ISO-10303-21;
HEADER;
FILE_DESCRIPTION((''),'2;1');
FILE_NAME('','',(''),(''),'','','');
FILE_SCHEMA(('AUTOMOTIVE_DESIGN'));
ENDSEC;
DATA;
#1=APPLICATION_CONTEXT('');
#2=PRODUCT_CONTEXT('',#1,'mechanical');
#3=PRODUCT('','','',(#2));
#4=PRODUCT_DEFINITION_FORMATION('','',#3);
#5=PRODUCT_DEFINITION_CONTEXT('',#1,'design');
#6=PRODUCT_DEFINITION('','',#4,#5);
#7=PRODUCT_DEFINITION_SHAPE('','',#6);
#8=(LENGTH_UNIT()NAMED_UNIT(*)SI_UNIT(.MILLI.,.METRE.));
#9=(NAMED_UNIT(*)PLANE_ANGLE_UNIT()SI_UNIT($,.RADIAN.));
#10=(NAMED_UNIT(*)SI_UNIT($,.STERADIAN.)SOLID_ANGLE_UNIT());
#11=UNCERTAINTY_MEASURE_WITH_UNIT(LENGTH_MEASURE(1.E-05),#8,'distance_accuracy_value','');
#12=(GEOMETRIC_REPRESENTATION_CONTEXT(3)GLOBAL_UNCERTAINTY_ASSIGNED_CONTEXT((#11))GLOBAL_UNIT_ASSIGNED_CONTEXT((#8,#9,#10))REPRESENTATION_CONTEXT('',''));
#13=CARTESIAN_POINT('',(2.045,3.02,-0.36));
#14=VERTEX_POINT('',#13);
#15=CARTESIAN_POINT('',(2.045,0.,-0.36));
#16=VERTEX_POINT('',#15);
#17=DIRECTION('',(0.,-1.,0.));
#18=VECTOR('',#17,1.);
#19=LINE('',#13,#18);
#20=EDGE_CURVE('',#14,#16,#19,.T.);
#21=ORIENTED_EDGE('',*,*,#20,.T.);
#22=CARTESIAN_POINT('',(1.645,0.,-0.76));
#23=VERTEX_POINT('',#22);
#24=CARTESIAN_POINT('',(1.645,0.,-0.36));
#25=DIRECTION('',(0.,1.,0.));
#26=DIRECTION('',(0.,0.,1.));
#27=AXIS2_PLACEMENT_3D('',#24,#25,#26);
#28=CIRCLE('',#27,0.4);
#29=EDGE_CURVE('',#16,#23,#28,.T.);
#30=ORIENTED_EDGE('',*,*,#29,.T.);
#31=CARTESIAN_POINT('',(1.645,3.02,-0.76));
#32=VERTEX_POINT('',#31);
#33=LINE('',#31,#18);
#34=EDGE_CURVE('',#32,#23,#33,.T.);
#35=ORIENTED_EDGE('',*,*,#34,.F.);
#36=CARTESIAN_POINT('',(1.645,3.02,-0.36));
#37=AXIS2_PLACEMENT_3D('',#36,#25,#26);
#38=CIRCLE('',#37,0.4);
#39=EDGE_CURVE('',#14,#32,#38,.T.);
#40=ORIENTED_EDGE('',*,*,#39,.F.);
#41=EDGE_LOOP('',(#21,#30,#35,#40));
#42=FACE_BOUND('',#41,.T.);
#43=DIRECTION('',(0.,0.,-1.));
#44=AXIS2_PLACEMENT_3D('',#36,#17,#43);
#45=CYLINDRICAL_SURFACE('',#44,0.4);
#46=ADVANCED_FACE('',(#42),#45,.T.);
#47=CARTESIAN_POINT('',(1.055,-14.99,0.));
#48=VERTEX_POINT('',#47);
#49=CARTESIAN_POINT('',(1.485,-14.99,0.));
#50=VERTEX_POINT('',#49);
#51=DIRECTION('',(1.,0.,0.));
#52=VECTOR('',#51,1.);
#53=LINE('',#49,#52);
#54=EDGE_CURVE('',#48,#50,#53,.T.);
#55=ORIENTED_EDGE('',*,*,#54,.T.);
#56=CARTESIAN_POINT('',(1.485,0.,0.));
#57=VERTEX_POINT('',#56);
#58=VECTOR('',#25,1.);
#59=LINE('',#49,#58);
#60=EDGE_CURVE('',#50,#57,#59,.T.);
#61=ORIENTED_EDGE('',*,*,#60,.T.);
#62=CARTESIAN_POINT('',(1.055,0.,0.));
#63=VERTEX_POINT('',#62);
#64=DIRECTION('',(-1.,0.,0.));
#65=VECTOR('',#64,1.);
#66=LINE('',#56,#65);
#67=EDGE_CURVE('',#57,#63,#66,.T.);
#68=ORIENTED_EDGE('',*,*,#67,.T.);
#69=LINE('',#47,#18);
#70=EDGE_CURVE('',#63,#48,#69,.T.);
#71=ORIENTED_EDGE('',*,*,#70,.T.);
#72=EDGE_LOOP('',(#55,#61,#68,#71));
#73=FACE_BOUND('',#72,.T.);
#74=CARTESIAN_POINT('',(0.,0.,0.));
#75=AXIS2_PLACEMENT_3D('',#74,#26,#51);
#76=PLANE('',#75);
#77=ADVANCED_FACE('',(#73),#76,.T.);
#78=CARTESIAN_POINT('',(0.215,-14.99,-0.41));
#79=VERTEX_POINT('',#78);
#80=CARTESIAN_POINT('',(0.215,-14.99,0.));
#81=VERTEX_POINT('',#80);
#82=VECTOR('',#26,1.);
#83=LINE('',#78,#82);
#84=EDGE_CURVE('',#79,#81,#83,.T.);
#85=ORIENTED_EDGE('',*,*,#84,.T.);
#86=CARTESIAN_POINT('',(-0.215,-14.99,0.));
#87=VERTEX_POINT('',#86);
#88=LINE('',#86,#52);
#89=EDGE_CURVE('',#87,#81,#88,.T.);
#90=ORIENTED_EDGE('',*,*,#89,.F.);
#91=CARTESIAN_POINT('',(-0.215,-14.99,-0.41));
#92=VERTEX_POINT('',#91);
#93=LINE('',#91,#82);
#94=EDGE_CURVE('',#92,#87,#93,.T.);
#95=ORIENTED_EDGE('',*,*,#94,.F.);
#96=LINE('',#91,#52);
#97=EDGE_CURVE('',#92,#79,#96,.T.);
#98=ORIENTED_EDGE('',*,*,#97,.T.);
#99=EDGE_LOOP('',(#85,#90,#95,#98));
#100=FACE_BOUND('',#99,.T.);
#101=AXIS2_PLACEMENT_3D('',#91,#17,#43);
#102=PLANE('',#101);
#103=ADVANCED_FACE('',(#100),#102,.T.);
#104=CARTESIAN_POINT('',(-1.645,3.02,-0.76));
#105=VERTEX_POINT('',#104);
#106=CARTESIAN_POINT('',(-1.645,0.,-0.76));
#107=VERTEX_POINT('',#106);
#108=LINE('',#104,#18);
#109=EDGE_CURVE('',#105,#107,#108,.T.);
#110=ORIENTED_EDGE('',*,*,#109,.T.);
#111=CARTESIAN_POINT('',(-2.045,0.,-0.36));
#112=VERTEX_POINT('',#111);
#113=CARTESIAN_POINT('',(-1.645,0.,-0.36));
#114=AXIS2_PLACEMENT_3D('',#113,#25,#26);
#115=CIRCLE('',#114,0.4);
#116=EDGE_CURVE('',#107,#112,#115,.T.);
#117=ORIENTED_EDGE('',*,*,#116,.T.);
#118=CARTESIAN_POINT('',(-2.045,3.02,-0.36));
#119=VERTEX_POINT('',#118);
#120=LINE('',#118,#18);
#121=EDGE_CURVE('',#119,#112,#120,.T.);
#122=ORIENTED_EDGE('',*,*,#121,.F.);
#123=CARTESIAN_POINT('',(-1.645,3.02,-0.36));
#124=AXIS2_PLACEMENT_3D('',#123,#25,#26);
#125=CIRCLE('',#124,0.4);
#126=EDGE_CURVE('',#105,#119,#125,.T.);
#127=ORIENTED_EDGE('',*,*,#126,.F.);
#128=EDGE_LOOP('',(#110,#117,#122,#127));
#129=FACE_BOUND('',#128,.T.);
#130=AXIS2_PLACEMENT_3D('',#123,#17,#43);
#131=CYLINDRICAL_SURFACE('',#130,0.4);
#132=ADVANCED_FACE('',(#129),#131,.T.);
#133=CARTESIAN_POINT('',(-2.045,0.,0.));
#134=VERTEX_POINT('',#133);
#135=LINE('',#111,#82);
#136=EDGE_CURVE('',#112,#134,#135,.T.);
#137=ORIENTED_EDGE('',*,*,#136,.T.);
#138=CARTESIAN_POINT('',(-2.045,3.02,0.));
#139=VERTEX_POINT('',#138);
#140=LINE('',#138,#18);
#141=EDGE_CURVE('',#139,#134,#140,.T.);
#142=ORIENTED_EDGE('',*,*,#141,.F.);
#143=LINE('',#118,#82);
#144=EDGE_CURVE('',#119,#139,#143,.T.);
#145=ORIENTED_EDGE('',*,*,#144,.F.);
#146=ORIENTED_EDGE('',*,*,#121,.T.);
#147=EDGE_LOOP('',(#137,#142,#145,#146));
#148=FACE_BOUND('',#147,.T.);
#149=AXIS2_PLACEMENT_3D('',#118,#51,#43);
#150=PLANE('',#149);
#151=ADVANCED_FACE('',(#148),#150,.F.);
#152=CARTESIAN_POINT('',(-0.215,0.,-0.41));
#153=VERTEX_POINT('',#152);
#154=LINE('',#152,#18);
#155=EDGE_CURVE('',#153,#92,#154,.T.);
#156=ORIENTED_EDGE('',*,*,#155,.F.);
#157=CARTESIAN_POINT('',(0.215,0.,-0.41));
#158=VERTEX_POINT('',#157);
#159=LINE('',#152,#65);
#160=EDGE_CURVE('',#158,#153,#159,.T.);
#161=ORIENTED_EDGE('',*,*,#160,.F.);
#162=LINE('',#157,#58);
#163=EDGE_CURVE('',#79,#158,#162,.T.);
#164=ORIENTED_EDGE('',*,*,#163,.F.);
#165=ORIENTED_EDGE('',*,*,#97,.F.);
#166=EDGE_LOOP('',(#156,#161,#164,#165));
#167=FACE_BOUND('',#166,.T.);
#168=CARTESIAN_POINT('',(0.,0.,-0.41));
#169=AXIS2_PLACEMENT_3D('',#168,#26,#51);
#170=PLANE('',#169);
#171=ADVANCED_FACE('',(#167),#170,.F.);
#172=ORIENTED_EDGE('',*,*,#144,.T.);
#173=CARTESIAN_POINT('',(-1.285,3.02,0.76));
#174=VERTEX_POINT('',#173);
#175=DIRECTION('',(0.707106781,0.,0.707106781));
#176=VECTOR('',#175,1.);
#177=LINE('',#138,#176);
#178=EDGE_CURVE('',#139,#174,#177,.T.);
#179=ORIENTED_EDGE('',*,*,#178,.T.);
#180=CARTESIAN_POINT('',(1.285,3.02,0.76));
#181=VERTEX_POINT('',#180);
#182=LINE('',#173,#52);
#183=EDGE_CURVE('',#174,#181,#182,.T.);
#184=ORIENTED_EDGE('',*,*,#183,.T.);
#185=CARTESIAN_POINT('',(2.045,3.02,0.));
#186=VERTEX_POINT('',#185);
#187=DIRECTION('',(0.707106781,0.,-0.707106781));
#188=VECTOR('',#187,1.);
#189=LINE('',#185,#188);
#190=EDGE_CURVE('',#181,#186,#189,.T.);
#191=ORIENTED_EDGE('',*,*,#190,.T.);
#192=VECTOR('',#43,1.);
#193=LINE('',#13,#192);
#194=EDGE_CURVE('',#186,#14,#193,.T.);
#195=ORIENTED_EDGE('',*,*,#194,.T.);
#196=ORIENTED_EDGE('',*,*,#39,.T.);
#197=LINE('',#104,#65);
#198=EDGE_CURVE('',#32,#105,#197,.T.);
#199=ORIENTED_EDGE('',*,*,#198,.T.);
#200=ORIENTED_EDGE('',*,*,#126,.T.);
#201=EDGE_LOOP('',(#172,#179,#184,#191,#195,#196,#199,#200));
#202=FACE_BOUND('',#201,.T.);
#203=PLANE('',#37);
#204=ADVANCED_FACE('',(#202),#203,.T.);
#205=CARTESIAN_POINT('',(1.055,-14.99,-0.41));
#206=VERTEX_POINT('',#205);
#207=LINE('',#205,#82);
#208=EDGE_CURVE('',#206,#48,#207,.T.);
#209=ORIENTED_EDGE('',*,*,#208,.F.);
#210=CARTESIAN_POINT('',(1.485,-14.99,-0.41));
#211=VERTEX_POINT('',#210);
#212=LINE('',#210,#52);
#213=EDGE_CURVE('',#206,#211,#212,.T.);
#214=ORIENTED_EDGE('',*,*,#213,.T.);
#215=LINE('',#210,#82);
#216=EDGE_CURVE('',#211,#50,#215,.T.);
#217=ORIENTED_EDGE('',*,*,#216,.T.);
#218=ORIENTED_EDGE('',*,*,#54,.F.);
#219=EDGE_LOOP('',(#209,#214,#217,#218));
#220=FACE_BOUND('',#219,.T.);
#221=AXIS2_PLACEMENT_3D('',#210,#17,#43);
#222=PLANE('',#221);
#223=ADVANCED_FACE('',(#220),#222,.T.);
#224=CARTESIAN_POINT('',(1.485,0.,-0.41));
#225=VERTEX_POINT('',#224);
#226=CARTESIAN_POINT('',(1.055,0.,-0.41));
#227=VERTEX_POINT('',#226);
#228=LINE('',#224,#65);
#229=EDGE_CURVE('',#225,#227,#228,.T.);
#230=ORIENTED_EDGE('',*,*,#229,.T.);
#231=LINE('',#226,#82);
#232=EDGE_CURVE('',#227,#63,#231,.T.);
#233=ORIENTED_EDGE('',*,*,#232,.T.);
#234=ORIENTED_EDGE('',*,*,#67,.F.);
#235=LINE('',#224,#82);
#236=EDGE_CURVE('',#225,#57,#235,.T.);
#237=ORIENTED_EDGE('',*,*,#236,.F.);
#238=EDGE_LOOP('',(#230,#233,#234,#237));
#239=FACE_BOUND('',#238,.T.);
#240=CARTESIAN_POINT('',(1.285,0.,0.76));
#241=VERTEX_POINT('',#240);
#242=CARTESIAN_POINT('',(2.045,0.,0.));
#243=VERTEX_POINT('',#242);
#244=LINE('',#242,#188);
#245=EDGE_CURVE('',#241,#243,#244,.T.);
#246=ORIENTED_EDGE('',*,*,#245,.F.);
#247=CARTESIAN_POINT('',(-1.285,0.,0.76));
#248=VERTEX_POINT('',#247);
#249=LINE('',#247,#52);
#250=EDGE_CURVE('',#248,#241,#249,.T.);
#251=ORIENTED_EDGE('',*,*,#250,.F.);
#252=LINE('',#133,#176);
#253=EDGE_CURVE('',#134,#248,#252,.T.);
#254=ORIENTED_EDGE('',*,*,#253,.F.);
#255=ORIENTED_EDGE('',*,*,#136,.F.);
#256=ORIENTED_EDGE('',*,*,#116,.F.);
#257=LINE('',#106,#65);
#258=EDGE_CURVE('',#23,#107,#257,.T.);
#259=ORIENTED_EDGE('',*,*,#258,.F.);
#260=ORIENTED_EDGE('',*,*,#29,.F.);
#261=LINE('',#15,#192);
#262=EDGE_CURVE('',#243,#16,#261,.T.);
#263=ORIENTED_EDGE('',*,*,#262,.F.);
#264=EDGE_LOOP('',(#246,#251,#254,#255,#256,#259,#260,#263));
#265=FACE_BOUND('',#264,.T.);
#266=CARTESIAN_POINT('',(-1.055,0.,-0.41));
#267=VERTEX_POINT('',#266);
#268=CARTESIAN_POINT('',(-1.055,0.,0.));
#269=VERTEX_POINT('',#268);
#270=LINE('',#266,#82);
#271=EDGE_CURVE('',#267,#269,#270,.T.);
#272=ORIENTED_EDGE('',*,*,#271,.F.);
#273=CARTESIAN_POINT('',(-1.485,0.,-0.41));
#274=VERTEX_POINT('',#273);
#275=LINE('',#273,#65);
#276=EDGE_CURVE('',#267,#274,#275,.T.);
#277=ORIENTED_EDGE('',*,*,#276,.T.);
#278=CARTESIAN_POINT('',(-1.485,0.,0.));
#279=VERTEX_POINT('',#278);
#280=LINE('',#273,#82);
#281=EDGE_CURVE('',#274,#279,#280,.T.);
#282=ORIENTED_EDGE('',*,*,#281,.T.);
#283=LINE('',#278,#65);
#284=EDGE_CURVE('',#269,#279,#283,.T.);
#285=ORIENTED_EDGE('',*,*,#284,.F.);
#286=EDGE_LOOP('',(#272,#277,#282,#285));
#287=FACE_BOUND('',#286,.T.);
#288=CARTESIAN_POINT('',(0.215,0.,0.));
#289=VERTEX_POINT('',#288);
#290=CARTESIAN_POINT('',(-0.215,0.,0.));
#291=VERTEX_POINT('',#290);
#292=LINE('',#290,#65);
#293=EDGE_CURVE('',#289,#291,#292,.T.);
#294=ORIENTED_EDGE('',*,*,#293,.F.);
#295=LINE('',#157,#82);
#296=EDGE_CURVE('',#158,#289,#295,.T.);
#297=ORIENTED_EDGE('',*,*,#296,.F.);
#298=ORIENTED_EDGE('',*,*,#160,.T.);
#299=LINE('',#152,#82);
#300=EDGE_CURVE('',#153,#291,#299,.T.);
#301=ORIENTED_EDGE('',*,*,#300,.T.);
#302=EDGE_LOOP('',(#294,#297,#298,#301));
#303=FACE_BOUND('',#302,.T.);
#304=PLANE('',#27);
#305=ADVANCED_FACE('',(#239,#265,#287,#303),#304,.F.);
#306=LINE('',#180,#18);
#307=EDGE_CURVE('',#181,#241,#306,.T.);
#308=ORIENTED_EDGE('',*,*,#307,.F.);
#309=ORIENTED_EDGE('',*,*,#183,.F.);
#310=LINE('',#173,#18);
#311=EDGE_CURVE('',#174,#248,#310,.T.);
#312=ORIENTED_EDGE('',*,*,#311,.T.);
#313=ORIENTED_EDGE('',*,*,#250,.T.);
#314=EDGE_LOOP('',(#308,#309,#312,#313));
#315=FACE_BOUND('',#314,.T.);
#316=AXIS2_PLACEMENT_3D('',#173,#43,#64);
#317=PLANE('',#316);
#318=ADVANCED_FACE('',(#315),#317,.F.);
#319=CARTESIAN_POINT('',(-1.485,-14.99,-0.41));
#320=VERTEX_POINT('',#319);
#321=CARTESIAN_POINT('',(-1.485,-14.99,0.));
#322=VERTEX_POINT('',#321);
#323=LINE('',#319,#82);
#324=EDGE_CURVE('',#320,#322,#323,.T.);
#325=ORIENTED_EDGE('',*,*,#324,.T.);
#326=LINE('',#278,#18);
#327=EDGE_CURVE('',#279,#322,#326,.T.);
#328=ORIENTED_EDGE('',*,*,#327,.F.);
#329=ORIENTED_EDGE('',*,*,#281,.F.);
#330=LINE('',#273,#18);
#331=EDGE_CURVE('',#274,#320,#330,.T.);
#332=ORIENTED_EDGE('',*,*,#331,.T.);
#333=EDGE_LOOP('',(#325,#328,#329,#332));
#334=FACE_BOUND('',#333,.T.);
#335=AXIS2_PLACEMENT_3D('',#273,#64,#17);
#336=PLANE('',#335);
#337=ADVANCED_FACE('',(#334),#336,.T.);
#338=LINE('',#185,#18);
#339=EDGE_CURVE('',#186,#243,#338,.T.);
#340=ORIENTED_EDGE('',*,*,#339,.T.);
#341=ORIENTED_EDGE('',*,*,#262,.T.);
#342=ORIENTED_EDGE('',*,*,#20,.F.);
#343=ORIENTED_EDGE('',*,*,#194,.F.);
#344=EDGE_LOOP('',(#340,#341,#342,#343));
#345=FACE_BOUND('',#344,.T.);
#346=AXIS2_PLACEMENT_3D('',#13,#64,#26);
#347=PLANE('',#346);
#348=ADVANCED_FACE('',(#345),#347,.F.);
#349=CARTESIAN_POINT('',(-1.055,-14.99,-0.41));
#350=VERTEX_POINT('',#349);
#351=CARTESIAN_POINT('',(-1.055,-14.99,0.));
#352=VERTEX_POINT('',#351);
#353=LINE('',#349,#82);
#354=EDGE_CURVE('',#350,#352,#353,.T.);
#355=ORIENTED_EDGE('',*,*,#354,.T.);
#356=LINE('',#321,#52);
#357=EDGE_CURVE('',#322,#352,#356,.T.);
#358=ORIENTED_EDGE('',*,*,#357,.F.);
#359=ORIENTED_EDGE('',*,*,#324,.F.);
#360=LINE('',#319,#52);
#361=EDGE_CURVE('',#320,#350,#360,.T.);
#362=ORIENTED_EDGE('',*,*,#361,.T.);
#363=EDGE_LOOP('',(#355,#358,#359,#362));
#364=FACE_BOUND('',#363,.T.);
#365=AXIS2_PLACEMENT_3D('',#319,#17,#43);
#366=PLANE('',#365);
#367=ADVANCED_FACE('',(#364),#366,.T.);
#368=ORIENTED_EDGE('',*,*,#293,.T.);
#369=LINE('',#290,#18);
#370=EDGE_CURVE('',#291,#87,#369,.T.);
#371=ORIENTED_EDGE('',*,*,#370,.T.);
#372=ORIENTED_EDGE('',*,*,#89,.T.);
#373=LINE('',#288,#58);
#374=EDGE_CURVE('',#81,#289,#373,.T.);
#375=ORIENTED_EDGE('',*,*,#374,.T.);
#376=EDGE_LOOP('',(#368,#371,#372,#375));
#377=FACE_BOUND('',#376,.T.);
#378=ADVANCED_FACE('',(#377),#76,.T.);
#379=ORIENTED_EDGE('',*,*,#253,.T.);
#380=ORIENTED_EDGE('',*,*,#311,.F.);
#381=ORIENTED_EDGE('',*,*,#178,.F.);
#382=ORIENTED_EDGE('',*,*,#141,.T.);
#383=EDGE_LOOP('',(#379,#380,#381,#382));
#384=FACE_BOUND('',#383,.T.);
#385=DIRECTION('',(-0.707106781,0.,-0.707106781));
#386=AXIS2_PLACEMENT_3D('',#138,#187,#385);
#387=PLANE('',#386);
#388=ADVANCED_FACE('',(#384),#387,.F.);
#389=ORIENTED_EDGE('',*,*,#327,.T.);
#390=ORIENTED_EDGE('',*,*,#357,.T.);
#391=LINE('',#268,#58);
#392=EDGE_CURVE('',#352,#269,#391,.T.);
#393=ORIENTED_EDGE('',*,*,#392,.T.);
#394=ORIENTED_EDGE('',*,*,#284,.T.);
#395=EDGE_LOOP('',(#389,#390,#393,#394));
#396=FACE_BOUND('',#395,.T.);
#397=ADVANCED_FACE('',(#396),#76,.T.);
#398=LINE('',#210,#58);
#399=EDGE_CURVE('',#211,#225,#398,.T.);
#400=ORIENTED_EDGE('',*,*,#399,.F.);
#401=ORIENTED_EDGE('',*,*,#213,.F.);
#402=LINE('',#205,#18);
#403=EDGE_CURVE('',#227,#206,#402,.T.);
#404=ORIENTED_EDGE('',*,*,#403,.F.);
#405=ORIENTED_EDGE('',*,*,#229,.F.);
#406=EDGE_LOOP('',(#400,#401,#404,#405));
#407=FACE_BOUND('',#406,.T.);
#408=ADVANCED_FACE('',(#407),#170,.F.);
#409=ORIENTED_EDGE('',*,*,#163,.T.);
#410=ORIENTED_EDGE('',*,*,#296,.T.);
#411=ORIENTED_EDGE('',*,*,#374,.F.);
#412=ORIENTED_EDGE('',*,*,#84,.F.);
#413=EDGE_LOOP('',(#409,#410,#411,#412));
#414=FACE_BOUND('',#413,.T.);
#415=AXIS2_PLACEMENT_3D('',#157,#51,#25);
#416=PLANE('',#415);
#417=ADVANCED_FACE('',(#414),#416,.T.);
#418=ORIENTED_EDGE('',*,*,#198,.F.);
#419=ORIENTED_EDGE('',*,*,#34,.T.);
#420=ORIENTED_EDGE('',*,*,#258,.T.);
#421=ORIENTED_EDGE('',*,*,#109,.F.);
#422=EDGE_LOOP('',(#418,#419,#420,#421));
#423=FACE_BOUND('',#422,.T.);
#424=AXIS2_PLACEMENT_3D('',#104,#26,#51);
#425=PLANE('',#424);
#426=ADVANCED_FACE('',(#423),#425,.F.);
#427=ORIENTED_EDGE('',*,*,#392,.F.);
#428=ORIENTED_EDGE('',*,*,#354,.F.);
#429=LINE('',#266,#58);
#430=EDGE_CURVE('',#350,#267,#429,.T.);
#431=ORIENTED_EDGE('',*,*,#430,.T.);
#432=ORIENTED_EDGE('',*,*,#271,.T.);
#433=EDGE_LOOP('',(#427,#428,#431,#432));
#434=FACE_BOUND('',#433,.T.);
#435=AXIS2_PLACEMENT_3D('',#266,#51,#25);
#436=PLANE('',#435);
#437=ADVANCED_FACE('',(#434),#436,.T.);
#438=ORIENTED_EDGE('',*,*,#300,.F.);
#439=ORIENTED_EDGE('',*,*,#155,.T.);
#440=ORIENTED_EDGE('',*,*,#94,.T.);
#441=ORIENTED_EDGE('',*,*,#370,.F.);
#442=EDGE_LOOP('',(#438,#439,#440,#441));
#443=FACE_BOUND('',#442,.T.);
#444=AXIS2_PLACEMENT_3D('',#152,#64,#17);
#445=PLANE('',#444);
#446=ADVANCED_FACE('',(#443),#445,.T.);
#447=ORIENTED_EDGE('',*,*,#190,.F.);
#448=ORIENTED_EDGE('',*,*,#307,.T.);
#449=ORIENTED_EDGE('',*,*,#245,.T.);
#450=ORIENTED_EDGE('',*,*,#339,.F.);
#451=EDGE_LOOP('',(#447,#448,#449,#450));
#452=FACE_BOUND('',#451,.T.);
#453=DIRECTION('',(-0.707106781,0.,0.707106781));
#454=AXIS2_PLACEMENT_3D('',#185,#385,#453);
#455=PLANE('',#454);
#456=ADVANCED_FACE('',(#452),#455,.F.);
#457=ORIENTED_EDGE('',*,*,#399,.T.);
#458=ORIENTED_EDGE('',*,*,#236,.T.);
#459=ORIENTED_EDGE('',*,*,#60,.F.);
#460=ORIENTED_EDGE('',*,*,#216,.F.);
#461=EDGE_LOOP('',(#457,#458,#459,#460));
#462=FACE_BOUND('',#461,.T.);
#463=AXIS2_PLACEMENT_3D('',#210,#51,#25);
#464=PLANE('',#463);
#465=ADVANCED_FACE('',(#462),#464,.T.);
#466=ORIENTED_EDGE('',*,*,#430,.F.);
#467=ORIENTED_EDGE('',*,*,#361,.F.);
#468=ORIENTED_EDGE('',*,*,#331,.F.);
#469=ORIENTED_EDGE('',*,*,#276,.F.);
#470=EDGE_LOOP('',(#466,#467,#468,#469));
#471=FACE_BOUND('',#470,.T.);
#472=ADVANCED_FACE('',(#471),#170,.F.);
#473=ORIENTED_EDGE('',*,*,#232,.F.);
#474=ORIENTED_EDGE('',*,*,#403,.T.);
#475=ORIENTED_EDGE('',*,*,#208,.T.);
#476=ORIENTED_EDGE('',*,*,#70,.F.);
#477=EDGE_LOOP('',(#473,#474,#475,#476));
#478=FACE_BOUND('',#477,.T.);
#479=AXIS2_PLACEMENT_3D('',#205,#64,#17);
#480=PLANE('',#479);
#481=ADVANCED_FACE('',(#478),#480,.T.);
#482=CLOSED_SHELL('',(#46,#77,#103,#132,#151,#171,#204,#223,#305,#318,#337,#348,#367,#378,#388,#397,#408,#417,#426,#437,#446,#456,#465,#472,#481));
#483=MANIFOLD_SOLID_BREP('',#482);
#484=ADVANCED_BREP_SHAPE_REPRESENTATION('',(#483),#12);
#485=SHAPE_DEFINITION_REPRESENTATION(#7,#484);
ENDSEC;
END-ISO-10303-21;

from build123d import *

# Parameters (mm, degrees)
BOSS_EXTRUDE1_DEPTH = 3.02
SKETCH3_W           = 0.43
SKETCH3_H           = 14.99
BOSS_EXTRUDE2_DEPTH = 0.41


with BuildPart() as part:
    # Sketch2 → Boss-Extrude1 (new body)
    with BuildSketch(Plane(origin=(0, 0, 0), x_dir=(1, 0, 0), z_dir=(0, 1, 0))):
        with BuildLine():
            Line((-1.645, 0.76), (1.645, 0.76))
            ThreePointArc((1.645, 0.76), (1.927842712, 0.642842712), (2.045, 0.36))
            Line((2.045, 0.36), (2.045, 0))
            Line((2.045, 0), (1.285, -0.76))
            Line((1.285, -0.76), (-1.285, -0.76))
            Line((-1.285, -0.76), (-2.045, 0))
            Line((-2.045, 0), (-2.045, 0.36))
            ThreePointArc((-2.045, 0.36), (-1.927842712, 0.642842712), (-1.645, 0.76))
        make_face()
    extrude(amount=BOSS_EXTRUDE1_DEPTH)

    # Sketch3 → Boss-Extrude2 (add)
    with BuildSketch(Plane.XY):
        with Locations((0, -7.495)):
            Rectangle(SKETCH3_W, SKETCH3_H)
        with Locations((1.27, -7.495)):
            Rectangle(SKETCH3_W, SKETCH3_H)
        with Locations((-1.27, -7.495)):
            Rectangle(SKETCH3_W, SKETCH3_H)
    extrude(amount=-BOSS_EXTRUDE2_DEPTH)


solid = part.part
